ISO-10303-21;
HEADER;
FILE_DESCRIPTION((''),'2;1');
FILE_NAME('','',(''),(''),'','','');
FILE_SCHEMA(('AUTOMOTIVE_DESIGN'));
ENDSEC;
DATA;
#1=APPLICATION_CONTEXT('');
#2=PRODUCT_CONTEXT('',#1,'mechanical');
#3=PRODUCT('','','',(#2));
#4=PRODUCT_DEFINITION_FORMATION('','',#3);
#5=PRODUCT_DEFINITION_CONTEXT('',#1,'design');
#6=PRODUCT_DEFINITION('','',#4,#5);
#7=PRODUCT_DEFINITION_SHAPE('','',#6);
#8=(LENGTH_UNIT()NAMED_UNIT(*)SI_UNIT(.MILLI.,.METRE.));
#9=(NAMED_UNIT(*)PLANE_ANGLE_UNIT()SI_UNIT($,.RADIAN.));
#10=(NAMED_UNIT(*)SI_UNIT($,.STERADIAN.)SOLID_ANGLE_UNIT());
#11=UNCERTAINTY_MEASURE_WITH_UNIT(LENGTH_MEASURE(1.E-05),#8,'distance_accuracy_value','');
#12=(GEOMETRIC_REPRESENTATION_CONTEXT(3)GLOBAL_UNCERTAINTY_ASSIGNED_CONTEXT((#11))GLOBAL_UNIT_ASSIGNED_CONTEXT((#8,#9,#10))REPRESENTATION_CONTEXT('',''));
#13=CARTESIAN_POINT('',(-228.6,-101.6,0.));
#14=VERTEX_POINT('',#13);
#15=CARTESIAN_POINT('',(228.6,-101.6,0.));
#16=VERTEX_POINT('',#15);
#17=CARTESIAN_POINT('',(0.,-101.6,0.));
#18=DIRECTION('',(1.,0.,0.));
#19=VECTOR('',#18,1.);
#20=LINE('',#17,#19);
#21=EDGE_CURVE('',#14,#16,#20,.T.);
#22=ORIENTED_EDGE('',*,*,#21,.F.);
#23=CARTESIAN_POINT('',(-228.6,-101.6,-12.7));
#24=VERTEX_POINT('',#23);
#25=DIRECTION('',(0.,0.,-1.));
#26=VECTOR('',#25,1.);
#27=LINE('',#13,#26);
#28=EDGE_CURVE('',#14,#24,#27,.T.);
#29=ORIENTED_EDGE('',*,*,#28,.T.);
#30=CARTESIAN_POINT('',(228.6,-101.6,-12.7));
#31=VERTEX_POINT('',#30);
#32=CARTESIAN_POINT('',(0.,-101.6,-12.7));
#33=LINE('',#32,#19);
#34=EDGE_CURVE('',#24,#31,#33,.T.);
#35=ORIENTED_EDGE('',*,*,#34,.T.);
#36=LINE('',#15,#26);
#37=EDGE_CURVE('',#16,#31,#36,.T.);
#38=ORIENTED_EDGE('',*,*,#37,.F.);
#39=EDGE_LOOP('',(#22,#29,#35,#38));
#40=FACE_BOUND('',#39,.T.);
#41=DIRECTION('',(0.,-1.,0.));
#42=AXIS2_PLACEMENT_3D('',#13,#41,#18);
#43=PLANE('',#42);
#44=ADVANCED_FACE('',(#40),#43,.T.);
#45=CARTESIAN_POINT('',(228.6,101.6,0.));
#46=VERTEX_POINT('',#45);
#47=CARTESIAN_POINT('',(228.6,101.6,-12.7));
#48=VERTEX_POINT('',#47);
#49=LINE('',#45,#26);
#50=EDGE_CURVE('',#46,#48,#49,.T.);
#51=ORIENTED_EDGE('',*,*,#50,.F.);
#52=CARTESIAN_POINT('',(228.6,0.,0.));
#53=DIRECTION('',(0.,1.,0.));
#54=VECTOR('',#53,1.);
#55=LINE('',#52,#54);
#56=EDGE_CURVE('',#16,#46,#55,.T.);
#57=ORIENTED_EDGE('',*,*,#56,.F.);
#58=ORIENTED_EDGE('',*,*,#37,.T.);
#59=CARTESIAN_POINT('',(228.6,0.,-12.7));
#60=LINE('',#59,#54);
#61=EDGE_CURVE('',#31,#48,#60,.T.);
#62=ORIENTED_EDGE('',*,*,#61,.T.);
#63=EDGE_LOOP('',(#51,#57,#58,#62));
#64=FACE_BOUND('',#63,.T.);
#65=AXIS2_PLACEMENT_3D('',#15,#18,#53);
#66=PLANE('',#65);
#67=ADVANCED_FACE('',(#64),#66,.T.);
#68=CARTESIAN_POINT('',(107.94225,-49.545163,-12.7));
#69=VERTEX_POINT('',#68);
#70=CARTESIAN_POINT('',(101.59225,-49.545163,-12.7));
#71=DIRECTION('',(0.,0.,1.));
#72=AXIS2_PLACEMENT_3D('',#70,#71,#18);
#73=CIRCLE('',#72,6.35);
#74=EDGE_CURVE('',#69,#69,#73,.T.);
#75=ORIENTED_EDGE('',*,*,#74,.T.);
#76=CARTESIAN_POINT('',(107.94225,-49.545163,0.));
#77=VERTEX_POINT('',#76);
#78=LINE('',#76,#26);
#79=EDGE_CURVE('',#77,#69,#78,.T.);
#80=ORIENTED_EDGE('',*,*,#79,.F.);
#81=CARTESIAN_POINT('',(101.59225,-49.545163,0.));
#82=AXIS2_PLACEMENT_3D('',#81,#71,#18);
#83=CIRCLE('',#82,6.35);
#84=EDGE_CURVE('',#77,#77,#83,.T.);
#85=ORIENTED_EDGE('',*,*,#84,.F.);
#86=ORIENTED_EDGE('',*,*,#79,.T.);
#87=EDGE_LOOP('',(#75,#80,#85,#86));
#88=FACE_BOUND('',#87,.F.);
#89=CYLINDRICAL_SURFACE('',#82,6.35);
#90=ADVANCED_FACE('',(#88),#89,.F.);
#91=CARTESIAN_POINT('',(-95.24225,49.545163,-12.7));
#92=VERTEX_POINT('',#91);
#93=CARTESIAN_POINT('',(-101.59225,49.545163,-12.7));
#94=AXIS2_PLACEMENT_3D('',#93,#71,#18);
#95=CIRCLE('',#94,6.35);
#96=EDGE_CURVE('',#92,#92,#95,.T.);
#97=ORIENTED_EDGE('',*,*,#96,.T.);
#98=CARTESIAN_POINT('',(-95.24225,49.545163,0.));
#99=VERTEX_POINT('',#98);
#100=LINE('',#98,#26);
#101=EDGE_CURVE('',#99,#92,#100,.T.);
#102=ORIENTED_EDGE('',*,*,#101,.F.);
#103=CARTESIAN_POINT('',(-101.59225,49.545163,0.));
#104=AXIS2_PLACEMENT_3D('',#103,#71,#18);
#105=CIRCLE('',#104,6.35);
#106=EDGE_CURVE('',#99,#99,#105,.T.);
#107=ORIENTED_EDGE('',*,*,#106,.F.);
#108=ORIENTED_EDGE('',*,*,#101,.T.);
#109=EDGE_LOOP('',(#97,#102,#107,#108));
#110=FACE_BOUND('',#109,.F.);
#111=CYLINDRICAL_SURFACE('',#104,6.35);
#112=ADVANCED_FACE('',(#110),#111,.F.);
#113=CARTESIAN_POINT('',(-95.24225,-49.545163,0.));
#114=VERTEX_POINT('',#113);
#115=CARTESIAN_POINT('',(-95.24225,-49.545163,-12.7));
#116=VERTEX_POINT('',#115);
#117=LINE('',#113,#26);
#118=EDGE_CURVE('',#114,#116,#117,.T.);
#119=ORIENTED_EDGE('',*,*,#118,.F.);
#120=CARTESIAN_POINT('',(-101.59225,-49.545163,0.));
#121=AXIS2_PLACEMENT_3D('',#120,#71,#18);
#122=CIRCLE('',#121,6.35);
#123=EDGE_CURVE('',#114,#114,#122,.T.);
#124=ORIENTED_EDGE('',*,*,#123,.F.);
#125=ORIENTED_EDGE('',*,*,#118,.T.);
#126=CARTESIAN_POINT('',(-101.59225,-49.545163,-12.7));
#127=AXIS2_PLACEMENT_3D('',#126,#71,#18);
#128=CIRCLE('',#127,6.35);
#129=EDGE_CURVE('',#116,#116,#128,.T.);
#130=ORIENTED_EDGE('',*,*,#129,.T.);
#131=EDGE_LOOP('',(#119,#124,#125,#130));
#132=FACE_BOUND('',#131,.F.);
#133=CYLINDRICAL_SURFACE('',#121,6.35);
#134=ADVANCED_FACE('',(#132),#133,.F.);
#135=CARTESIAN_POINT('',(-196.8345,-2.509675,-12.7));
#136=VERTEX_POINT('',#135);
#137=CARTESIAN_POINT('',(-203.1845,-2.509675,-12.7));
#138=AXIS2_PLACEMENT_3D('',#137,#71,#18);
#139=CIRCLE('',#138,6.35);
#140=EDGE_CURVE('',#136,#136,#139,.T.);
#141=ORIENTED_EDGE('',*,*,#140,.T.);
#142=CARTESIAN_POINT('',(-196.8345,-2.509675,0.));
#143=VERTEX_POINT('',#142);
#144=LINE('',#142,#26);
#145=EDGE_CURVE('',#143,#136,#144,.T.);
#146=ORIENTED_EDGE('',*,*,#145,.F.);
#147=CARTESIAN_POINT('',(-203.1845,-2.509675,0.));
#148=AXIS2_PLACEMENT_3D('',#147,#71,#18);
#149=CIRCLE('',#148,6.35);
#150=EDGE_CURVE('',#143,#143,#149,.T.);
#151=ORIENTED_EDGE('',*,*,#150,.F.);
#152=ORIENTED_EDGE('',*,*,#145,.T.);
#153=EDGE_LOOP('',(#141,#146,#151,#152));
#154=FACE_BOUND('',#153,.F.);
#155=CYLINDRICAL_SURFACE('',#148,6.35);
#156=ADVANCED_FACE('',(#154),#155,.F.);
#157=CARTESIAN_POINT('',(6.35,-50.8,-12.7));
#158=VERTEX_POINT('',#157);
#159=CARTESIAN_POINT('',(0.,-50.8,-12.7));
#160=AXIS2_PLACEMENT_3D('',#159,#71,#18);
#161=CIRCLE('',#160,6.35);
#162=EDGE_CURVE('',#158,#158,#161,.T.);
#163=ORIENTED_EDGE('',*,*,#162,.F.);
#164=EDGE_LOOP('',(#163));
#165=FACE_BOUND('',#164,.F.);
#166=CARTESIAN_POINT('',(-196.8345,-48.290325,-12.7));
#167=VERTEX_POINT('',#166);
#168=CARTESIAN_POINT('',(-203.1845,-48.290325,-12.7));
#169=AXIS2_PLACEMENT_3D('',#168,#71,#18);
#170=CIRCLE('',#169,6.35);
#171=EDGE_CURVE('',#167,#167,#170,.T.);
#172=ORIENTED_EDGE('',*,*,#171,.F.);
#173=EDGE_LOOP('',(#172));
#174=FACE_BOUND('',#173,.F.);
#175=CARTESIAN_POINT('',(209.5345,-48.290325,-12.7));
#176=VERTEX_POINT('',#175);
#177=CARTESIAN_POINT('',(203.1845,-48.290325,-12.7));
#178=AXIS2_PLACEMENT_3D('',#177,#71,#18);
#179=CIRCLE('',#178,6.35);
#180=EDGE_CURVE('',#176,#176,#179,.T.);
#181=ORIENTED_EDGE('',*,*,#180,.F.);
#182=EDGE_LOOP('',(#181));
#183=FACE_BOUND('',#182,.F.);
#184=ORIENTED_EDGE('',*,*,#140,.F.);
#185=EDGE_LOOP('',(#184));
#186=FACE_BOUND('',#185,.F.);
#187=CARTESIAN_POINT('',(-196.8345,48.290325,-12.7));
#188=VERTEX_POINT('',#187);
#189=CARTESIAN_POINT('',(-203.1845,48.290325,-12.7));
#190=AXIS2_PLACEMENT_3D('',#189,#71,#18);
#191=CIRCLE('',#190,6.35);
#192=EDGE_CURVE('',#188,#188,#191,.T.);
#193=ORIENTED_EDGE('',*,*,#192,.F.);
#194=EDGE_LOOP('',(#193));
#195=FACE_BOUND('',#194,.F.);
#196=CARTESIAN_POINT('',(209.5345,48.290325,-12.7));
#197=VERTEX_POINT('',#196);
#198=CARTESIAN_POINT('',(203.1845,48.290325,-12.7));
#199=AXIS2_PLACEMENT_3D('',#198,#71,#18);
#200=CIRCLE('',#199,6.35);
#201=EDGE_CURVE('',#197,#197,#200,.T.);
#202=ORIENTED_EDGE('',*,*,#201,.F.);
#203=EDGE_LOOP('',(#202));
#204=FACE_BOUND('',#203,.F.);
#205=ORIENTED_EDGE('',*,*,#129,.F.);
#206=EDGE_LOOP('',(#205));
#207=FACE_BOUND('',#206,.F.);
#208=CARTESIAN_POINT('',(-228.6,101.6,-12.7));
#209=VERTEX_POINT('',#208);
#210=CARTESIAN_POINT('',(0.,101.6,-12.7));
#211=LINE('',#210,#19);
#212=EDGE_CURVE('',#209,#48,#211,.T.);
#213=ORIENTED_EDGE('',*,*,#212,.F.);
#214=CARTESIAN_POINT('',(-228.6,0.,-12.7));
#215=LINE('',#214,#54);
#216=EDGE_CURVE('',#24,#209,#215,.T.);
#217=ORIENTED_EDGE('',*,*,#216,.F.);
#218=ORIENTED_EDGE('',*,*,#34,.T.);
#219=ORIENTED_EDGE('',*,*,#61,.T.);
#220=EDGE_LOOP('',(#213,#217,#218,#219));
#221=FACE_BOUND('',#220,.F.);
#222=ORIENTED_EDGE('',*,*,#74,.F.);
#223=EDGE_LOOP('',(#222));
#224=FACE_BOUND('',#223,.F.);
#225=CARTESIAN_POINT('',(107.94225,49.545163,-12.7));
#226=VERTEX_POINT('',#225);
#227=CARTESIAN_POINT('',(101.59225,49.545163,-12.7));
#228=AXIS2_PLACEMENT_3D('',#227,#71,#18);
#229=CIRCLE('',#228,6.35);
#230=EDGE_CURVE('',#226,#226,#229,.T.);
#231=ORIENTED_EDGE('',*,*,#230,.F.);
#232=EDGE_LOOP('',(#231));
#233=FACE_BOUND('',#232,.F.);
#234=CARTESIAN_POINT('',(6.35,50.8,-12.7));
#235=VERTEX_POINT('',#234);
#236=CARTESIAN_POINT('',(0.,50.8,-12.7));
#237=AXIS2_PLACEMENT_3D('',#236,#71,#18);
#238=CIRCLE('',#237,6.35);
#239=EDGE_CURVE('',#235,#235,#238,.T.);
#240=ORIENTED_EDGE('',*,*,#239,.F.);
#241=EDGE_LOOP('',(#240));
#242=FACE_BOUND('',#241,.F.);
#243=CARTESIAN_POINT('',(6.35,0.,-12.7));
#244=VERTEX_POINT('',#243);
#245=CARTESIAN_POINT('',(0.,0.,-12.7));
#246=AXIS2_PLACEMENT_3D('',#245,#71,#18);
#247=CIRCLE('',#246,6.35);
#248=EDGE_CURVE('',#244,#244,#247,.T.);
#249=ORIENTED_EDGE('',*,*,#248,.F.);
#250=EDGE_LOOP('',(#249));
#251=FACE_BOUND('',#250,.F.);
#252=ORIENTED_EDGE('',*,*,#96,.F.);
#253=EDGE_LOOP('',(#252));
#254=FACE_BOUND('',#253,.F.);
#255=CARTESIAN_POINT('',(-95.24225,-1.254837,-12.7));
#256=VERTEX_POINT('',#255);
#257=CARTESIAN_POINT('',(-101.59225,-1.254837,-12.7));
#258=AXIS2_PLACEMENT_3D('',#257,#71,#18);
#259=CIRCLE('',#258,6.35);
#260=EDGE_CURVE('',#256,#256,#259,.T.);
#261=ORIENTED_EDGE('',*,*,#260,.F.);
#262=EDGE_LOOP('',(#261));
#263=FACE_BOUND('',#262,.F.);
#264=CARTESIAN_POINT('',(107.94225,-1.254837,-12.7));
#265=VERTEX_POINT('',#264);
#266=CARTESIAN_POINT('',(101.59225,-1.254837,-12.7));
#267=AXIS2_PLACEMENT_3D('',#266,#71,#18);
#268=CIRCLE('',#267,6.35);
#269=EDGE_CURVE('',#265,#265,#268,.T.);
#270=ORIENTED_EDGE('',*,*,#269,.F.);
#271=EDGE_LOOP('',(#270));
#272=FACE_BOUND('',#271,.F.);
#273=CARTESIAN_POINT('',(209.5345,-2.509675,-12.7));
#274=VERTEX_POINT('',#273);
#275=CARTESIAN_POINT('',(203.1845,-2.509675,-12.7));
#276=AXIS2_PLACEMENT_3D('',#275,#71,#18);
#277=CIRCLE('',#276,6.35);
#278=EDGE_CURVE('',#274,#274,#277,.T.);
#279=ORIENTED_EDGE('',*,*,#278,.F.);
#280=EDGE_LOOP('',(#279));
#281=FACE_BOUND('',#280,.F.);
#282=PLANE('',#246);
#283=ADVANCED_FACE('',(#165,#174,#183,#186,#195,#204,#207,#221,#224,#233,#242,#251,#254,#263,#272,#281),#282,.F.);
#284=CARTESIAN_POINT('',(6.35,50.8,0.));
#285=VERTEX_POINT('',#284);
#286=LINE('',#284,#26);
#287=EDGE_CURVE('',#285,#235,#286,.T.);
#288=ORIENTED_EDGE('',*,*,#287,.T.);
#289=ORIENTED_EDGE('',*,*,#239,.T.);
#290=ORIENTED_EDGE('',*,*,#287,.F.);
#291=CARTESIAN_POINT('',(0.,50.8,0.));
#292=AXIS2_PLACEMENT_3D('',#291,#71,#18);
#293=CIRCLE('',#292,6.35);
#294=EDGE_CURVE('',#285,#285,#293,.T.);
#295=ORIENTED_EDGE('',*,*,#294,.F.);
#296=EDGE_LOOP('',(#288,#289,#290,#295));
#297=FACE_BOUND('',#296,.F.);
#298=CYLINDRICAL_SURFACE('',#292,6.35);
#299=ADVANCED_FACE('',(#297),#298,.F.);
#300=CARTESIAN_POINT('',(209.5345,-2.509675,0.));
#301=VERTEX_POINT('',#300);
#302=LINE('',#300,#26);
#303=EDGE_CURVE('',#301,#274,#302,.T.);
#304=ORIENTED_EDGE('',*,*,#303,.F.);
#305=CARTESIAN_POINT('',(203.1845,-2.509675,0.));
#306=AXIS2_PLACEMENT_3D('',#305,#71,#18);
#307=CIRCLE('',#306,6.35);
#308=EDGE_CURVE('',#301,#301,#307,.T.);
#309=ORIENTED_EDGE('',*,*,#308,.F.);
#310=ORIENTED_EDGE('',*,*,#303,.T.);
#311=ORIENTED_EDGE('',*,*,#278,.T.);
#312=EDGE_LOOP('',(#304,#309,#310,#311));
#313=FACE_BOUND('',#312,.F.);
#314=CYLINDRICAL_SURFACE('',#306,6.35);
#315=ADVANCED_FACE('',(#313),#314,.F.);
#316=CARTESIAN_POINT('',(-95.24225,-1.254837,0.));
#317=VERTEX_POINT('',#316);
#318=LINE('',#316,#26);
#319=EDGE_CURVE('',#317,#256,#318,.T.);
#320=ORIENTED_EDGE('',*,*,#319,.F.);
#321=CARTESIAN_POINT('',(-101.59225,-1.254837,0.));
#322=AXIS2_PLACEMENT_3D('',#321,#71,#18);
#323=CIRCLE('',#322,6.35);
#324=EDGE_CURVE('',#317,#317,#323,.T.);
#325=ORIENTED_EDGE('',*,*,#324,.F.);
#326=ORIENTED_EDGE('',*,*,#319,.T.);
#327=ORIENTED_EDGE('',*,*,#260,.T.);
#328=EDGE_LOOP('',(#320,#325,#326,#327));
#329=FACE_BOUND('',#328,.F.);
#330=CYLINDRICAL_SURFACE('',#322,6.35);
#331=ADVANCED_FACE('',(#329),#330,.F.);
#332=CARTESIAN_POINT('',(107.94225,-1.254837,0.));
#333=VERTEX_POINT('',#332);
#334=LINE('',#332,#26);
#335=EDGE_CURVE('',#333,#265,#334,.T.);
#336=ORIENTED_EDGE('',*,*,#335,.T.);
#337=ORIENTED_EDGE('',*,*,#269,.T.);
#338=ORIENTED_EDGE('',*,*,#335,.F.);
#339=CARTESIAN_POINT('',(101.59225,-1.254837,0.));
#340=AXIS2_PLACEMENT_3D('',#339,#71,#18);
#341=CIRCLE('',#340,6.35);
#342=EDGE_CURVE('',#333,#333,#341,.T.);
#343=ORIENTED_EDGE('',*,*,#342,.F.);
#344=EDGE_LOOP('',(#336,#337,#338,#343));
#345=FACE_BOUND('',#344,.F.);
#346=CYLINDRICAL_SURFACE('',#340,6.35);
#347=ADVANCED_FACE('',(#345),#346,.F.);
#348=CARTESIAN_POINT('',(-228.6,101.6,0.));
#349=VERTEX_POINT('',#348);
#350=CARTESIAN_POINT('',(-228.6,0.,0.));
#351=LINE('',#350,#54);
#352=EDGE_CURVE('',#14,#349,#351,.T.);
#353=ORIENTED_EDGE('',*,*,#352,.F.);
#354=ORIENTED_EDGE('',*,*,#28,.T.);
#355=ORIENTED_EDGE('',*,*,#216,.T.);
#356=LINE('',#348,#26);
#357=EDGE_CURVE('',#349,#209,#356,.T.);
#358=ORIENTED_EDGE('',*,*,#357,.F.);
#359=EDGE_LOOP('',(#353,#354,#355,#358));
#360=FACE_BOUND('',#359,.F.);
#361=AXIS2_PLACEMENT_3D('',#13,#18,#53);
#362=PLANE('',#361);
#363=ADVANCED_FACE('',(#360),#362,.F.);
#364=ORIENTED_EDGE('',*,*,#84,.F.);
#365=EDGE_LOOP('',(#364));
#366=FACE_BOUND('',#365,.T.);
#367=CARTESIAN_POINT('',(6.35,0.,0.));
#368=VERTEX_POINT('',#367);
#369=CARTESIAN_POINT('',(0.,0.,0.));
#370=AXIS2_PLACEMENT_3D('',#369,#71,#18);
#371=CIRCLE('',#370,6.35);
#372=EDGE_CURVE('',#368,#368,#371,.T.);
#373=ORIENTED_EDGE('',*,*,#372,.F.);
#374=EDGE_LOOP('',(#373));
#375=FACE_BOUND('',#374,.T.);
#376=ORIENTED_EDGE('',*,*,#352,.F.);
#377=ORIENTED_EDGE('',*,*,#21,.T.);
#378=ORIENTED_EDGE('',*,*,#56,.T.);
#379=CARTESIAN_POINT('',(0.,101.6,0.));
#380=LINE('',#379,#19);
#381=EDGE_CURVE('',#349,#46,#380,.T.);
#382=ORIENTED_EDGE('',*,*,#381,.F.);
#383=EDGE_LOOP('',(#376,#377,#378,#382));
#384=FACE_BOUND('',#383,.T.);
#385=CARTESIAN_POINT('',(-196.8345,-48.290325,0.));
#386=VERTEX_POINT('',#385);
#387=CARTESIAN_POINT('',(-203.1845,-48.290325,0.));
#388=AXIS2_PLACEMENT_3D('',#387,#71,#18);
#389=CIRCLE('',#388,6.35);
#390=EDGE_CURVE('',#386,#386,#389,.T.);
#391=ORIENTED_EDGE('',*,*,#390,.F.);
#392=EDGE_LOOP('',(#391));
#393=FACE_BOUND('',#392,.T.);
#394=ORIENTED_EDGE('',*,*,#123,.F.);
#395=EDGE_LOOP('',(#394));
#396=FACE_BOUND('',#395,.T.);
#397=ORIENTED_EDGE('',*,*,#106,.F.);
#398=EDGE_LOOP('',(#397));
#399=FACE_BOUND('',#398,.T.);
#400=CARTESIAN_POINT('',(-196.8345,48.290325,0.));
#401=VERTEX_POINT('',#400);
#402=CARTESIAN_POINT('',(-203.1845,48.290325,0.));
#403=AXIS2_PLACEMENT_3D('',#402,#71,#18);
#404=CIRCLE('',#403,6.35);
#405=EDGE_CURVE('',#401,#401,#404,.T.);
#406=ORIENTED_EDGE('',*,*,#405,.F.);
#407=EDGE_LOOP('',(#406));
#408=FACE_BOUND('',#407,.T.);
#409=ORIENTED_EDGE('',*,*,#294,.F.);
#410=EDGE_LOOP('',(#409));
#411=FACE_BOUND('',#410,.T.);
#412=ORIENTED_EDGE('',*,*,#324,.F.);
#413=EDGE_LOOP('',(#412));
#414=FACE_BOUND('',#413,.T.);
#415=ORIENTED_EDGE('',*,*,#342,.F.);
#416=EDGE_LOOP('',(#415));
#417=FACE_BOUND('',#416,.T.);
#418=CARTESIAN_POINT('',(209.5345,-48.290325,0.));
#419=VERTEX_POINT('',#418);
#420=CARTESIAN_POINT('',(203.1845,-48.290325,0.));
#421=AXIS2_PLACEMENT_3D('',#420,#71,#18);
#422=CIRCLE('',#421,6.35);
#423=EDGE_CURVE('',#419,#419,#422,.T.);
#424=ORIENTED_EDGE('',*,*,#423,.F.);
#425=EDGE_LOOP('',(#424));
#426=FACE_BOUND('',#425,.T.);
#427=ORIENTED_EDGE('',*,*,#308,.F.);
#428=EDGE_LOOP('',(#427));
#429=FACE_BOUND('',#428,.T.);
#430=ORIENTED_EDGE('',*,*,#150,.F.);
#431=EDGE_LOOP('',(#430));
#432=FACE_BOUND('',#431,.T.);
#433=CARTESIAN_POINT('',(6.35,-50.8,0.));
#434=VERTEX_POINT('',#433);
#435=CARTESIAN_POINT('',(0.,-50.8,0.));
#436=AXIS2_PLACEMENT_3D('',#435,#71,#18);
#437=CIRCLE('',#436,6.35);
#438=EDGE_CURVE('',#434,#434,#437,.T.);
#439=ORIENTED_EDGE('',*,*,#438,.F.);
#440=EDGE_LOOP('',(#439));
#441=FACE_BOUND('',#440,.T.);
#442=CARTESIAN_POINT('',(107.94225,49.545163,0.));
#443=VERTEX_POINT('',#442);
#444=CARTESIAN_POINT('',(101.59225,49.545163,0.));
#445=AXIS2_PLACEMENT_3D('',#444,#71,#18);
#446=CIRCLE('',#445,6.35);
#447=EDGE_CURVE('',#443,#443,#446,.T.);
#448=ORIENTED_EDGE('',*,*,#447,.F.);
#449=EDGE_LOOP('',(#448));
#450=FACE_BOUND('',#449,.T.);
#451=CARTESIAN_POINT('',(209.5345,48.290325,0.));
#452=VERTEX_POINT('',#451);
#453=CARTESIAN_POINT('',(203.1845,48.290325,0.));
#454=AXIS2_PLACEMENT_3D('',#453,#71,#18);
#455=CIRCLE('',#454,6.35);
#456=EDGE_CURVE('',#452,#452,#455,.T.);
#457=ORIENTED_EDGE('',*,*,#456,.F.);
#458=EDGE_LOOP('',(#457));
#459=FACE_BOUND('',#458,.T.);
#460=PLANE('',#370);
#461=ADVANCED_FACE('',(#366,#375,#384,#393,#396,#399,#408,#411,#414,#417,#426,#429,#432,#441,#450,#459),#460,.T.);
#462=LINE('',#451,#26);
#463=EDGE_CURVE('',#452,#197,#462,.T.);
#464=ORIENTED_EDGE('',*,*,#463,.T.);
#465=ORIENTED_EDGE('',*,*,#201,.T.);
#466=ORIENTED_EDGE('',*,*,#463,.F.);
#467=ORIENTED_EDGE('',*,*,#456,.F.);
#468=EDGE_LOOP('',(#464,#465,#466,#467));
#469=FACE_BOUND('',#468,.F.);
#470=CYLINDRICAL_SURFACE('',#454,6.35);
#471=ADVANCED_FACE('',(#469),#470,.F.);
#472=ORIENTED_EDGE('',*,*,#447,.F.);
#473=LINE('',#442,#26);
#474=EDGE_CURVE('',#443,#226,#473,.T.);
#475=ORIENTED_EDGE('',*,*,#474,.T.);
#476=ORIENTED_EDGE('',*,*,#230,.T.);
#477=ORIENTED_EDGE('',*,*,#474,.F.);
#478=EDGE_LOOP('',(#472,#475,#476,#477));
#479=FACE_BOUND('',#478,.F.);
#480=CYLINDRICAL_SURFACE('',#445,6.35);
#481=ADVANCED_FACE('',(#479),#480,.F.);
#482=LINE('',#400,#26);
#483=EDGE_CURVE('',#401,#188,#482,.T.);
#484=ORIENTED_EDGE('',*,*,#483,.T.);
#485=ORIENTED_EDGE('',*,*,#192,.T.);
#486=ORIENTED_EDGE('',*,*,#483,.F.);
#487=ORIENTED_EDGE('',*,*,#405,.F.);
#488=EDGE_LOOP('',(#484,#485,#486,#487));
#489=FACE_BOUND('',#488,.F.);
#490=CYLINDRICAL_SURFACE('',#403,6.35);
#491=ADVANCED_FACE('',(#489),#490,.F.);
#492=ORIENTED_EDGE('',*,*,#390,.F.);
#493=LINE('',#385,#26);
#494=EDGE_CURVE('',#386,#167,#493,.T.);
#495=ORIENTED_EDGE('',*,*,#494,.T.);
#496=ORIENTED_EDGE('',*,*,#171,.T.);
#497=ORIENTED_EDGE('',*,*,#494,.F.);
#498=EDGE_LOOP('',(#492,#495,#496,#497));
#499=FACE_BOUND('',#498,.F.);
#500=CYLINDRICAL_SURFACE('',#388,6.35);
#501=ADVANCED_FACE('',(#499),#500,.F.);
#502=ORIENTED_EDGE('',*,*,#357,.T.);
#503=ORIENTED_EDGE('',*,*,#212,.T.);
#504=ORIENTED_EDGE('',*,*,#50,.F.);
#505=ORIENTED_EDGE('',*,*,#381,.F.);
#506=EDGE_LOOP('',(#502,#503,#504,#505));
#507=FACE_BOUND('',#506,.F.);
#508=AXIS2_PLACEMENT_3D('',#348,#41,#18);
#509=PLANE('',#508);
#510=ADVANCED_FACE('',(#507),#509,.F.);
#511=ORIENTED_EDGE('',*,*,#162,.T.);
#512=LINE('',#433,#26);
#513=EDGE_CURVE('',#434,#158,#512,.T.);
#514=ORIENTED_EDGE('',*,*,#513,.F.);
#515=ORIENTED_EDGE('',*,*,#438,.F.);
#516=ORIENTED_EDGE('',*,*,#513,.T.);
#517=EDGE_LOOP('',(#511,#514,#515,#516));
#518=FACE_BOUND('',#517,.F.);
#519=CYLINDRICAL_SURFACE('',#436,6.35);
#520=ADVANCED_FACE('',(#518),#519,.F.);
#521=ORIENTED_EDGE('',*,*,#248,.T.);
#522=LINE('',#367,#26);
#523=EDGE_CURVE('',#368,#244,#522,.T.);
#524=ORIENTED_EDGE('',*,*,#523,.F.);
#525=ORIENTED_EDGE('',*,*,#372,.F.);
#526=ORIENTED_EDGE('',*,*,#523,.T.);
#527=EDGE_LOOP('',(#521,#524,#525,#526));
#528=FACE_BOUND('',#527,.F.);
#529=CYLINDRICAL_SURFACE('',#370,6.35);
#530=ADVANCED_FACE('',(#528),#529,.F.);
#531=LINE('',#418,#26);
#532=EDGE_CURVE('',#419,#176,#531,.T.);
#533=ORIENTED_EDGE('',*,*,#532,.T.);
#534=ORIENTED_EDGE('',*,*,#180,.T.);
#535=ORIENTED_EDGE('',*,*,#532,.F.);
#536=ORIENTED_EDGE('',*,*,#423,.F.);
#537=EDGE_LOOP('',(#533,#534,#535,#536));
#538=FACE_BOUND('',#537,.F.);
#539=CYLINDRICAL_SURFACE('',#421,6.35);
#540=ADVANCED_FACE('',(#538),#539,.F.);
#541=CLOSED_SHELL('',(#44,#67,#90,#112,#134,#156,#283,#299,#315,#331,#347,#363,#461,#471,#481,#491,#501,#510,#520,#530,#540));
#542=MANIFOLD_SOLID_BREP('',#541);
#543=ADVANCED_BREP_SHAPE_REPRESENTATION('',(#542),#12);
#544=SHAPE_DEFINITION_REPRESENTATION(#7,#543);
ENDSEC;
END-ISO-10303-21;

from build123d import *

# Parameters (mm, degrees)
F0_W     = 457.2
F0_H     = 203.2
F1_DEPTH = 12.7
F2_R     = 6.35
F3_DEPTH = 25.4


with BuildPart() as f1:
    # F0 (on Top) → F1 (new body)
    with BuildSketch(Plane.XY):
        Rectangle(F0_W, F0_H)
    extrude(amount=-F1_DEPTH)

    # F2 (on face) → F3 (cut)
    with BuildSketch(Plane.XY):
        Circle(F2_R)
        with Locations((0, 50.8)):
            Circle(F2_R)
        with Locations((101.59225, -1.254837)):
            Circle(F2_R)
        with Locations((101.59225, 49.545163)):
            Circle(F2_R)
        with Locations((203.1845, -2.509675)):
            Circle(F2_R)
        with Locations((203.1845, 48.290325)):
            Circle(F2_R)
        with Locations((101.59225, -49.545163)):
            Circle(F2_R)
        with Locations((203.1845, -48.290325)):
            Circle(F2_R)
        with Locations((0, -50.8)):
            Circle(F2_R)
        with Locations((-101.59225, -1.254837)):
            Circle(F2_R)
        with Locations((-101.59225, -49.545163)):
            Circle(F2_R)
        with Locations((-203.1845, -48.290325)):
            Circle(F2_R)
        with Locations((-101.59225, 49.545163)):
            Circle(F2_R)
        with Locations((-203.1845, -2.509675)):
            Circle(F2_R)
        with Locations((-203.1845, 48.290325)):
            Circle(F2_R)
    extrude(amount=-F3_DEPTH, mode=Mode.SUBTRACT)


solid = f1.part
